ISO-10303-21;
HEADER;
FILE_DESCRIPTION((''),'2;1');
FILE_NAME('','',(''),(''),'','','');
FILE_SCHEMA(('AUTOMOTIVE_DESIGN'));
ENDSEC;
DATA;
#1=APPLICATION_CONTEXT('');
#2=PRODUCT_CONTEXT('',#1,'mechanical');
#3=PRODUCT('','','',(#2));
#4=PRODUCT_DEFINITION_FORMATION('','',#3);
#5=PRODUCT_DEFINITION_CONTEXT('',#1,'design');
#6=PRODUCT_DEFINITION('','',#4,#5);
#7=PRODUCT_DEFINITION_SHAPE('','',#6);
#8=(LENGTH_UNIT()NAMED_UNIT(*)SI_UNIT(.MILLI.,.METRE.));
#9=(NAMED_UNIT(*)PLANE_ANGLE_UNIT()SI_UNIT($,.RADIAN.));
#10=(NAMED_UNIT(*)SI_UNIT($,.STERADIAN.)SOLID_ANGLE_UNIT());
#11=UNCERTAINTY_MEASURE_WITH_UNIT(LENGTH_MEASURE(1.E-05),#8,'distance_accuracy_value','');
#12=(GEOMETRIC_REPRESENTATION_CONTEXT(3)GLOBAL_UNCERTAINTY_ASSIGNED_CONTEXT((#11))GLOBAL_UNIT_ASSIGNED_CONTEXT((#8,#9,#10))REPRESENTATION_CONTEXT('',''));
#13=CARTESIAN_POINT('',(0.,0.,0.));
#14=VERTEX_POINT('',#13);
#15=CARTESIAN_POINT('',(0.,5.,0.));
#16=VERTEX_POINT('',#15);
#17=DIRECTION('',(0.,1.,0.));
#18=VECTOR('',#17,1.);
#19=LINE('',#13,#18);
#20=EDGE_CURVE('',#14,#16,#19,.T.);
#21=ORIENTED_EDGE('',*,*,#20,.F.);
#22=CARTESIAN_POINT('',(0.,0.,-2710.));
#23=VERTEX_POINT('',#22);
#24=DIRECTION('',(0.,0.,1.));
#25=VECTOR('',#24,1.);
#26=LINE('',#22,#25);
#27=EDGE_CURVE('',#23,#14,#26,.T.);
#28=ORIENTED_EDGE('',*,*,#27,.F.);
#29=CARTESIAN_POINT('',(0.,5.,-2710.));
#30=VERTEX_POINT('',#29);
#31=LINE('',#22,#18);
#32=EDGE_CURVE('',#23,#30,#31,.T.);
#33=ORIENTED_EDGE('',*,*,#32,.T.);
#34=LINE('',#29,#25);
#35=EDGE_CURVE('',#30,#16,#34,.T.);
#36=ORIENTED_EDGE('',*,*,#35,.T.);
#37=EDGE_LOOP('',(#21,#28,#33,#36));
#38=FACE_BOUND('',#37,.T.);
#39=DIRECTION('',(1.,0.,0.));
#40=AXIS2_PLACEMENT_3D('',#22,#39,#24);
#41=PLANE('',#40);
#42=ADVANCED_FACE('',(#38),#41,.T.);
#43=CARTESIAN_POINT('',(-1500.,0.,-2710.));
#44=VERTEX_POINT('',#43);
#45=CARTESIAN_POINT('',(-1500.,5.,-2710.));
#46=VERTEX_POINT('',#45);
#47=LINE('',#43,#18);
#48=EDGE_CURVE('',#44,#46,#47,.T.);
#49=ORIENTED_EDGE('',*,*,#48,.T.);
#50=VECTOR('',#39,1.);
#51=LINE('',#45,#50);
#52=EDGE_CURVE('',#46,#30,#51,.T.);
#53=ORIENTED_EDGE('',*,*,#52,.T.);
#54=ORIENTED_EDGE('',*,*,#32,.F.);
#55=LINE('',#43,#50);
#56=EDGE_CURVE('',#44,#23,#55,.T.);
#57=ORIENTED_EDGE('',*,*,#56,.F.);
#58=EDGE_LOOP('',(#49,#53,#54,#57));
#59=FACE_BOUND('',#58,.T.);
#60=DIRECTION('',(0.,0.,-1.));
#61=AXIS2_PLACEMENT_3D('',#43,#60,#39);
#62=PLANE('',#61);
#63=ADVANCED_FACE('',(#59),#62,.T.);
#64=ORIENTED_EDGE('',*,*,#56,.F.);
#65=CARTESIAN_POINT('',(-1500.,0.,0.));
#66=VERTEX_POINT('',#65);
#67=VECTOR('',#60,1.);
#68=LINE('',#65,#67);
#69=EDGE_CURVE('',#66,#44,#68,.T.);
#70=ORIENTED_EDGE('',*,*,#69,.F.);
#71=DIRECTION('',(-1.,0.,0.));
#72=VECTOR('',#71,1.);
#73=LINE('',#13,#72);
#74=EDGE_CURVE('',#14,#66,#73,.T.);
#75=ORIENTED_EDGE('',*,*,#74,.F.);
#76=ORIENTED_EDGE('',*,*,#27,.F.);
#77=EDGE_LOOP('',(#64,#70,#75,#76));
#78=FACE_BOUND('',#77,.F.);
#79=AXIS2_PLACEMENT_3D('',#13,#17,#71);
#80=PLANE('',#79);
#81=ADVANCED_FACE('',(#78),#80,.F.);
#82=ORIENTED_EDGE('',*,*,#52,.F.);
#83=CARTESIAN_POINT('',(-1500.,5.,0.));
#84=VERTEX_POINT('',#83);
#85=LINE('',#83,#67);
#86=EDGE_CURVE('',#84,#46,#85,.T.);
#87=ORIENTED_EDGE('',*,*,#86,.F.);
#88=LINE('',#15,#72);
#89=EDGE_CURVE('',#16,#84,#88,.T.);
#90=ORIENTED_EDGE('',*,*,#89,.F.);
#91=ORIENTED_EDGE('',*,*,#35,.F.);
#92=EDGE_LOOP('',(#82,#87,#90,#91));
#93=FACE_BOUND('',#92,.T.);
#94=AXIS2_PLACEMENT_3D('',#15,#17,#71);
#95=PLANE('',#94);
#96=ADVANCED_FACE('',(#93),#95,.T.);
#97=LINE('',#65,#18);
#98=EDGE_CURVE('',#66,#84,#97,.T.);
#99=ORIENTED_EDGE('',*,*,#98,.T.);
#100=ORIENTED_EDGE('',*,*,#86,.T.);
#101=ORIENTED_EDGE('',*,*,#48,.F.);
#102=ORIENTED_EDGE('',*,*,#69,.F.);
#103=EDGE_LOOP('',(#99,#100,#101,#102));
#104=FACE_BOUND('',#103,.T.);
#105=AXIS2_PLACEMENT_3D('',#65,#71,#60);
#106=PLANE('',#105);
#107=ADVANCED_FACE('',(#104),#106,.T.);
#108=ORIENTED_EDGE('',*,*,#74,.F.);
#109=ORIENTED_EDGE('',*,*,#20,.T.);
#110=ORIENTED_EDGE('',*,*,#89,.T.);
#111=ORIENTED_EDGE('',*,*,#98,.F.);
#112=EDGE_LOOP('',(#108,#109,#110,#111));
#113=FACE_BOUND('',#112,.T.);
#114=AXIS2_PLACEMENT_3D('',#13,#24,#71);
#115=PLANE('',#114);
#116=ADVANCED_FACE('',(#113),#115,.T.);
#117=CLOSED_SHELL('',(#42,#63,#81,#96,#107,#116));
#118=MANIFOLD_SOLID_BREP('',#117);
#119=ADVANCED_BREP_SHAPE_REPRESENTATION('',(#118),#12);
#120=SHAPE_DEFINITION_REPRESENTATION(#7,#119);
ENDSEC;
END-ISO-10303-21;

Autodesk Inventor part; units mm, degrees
ref_plane "YZ Plane" through (0, 0, 0) normal (1, 0, 0) x (0, 1, 0)
ref_plane "XZ Plane" through (0, 0, 0) normal (0, 1, 0) x (-1, 0, 0)
ref_plane "XY Plane" through (0, 0, 0) normal (0, 0, 1) x (1, 0, 0)
sketch "Sketch1" plane through (0, 0, 0) normal (0, 1, 0) x (-1, 0, 0)
  line L0 (0, 0) -> (1500, 0)
  line L1 (1500, 0) -> (1500, -2710)
  line L2 (1500, -2710) -> (0, -2710)
  line L3 (0, -2710) -> (0, 0)
  dimension "d0" = 1500
  dimension "d1" = 2710
extrude "Extrusion1" add sketch "Sketch1" along normal blind 5
properties part number "ReflectorWallWide" material "Silver"
